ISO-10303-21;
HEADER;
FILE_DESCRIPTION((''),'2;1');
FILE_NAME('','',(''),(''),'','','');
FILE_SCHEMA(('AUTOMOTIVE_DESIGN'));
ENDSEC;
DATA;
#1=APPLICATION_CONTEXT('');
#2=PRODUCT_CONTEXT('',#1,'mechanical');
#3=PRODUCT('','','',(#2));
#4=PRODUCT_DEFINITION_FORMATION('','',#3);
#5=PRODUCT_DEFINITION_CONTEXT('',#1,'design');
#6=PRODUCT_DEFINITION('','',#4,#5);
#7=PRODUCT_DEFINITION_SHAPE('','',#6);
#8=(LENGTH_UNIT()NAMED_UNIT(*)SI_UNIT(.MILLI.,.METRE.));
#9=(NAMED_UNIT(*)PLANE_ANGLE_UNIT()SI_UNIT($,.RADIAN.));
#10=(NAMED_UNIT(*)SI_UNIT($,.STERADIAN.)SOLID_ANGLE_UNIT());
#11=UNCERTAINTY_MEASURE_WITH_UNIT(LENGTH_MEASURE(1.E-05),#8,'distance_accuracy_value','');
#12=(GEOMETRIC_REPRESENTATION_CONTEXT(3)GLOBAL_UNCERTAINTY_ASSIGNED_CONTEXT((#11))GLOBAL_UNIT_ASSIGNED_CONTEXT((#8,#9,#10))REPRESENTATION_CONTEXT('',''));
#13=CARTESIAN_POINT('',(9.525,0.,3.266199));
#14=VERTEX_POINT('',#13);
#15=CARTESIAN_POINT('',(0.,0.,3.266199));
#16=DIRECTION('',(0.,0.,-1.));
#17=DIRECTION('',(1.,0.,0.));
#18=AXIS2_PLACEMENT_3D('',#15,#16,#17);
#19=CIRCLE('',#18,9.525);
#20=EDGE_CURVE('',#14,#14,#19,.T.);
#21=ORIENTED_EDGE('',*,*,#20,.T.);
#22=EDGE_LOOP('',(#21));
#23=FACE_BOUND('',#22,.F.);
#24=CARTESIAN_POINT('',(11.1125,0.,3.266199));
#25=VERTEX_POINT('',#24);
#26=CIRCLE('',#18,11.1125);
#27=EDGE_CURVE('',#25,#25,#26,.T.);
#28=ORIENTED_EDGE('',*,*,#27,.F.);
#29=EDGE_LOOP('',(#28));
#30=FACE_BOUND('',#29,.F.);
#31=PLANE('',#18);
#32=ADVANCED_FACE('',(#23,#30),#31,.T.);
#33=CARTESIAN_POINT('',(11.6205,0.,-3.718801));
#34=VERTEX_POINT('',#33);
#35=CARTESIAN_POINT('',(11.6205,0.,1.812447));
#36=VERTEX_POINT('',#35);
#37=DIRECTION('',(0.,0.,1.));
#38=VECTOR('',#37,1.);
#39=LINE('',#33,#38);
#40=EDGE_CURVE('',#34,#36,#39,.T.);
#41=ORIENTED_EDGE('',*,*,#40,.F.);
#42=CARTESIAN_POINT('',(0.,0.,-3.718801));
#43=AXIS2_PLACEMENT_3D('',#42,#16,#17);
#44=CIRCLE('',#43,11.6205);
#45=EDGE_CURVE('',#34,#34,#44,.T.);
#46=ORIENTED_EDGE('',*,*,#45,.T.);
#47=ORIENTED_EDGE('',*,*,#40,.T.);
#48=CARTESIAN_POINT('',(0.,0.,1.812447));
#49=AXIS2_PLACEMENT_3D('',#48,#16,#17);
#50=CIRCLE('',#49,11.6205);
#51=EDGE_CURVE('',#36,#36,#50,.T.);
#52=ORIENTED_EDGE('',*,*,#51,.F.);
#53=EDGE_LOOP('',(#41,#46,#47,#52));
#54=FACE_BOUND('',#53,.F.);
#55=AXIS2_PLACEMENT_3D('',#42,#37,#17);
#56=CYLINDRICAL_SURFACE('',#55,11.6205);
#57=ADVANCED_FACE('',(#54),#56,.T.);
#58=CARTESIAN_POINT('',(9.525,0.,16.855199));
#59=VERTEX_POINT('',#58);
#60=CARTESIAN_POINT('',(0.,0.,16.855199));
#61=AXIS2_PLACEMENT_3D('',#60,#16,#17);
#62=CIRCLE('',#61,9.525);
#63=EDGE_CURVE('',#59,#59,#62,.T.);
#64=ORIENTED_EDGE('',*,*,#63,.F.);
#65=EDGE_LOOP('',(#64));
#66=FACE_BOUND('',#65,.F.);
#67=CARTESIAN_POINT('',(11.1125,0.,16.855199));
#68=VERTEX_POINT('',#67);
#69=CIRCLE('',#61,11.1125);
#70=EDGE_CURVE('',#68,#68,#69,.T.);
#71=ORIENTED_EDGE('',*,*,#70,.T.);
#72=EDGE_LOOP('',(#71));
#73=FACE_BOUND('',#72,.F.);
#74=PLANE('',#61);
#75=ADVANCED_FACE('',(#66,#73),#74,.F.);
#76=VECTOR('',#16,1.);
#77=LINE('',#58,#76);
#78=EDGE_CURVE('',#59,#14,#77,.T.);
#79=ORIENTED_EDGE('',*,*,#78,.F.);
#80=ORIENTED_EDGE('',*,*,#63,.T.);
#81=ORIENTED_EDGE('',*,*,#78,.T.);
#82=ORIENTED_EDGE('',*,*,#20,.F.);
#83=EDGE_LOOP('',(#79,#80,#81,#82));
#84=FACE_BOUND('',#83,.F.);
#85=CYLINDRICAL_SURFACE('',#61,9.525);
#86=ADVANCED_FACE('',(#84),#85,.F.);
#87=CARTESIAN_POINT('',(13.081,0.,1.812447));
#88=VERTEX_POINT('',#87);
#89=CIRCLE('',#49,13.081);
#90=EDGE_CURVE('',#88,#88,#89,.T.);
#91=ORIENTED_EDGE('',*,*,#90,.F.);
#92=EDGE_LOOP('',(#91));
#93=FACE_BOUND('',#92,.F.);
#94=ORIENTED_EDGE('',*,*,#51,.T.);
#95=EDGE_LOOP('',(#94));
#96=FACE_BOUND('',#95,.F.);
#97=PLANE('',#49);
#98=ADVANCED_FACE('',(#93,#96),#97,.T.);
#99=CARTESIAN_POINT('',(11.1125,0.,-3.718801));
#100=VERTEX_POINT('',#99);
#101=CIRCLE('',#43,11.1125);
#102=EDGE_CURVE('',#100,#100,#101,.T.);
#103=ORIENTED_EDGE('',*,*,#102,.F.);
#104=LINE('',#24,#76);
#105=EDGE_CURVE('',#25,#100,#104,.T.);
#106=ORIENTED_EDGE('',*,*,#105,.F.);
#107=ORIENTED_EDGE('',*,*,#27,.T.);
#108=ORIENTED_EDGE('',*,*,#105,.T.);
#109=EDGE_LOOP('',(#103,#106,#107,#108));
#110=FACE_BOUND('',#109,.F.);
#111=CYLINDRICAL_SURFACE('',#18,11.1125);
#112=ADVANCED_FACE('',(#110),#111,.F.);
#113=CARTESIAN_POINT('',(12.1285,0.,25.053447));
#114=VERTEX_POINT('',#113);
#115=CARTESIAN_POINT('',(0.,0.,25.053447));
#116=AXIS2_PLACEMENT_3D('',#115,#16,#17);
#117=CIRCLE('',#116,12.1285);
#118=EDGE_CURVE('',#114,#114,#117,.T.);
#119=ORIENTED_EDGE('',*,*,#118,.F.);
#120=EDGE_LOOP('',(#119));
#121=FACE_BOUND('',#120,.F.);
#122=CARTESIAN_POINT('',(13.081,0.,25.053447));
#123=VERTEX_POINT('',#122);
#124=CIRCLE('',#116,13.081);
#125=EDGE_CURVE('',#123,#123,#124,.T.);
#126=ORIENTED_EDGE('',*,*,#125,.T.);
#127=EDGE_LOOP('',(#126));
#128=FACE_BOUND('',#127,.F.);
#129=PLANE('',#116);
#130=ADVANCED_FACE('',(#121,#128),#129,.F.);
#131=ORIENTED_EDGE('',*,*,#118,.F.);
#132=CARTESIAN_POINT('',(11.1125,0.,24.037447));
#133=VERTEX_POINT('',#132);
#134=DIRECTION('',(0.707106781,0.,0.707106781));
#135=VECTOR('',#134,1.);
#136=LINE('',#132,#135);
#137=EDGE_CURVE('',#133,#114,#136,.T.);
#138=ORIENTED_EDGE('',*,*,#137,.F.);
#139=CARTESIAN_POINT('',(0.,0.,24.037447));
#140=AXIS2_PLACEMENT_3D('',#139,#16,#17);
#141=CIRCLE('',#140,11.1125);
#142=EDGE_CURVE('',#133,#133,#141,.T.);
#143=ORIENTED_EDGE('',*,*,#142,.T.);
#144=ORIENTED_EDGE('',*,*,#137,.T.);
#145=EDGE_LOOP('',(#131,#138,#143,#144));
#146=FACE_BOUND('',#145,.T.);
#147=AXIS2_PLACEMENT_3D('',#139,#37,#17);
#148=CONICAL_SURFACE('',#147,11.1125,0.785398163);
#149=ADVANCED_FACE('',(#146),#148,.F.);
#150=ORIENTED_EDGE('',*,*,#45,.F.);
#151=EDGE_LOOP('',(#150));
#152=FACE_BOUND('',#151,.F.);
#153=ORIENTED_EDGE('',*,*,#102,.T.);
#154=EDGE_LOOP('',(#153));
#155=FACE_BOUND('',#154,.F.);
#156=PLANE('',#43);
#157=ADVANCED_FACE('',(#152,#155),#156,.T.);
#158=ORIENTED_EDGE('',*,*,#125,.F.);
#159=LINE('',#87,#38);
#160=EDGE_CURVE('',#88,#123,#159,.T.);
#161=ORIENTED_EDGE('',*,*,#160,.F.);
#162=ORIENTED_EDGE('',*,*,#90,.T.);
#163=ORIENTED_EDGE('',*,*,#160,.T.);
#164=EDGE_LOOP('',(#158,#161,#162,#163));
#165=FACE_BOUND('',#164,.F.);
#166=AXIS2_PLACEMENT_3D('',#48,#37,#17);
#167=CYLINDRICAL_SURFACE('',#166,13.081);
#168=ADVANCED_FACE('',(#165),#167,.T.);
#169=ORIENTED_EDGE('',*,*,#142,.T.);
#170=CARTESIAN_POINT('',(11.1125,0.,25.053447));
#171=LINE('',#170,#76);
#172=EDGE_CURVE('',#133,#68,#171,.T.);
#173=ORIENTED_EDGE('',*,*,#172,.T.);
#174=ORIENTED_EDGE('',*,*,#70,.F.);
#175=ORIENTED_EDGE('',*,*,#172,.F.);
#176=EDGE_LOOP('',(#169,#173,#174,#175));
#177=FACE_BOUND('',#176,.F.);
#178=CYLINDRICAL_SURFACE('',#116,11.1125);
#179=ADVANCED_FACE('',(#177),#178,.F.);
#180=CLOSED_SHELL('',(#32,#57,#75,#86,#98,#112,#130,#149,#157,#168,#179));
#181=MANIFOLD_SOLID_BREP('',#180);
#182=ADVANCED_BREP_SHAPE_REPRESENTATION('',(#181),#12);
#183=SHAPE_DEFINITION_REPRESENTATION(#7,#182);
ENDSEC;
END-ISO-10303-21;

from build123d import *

# Parameters (mm, degrees)
F2_SIZE = 1.016


with BuildPart() as f1:
    # F0 (on Front) → F1 (revolve)
    with BuildSketch(Plane.XZ):
        Polygon((11.1125, 25.053447), (11.1125, 23.840199), (11.1125, 16.855199), (9.525, 16.855199), (9.525, 3.266199), (11.1125, 3.266199), (11.1125, -3.718801), (11.6205, -3.718801), (11.6205, 1.812447), (13.081, 1.812447), (13.081, 25.053447), align=None)
    revolve(axis=Axis((0, 0, -1.874024), (0, 0, -1)))

    # F2
    f2_edges = [f1.edges().sort_by_distance(p)[0] for p in [
        (-11.1125, 0, 25.053447),
    ]]
    chamfer(f2_edges, length=F2_SIZE)


solid = f1.part
